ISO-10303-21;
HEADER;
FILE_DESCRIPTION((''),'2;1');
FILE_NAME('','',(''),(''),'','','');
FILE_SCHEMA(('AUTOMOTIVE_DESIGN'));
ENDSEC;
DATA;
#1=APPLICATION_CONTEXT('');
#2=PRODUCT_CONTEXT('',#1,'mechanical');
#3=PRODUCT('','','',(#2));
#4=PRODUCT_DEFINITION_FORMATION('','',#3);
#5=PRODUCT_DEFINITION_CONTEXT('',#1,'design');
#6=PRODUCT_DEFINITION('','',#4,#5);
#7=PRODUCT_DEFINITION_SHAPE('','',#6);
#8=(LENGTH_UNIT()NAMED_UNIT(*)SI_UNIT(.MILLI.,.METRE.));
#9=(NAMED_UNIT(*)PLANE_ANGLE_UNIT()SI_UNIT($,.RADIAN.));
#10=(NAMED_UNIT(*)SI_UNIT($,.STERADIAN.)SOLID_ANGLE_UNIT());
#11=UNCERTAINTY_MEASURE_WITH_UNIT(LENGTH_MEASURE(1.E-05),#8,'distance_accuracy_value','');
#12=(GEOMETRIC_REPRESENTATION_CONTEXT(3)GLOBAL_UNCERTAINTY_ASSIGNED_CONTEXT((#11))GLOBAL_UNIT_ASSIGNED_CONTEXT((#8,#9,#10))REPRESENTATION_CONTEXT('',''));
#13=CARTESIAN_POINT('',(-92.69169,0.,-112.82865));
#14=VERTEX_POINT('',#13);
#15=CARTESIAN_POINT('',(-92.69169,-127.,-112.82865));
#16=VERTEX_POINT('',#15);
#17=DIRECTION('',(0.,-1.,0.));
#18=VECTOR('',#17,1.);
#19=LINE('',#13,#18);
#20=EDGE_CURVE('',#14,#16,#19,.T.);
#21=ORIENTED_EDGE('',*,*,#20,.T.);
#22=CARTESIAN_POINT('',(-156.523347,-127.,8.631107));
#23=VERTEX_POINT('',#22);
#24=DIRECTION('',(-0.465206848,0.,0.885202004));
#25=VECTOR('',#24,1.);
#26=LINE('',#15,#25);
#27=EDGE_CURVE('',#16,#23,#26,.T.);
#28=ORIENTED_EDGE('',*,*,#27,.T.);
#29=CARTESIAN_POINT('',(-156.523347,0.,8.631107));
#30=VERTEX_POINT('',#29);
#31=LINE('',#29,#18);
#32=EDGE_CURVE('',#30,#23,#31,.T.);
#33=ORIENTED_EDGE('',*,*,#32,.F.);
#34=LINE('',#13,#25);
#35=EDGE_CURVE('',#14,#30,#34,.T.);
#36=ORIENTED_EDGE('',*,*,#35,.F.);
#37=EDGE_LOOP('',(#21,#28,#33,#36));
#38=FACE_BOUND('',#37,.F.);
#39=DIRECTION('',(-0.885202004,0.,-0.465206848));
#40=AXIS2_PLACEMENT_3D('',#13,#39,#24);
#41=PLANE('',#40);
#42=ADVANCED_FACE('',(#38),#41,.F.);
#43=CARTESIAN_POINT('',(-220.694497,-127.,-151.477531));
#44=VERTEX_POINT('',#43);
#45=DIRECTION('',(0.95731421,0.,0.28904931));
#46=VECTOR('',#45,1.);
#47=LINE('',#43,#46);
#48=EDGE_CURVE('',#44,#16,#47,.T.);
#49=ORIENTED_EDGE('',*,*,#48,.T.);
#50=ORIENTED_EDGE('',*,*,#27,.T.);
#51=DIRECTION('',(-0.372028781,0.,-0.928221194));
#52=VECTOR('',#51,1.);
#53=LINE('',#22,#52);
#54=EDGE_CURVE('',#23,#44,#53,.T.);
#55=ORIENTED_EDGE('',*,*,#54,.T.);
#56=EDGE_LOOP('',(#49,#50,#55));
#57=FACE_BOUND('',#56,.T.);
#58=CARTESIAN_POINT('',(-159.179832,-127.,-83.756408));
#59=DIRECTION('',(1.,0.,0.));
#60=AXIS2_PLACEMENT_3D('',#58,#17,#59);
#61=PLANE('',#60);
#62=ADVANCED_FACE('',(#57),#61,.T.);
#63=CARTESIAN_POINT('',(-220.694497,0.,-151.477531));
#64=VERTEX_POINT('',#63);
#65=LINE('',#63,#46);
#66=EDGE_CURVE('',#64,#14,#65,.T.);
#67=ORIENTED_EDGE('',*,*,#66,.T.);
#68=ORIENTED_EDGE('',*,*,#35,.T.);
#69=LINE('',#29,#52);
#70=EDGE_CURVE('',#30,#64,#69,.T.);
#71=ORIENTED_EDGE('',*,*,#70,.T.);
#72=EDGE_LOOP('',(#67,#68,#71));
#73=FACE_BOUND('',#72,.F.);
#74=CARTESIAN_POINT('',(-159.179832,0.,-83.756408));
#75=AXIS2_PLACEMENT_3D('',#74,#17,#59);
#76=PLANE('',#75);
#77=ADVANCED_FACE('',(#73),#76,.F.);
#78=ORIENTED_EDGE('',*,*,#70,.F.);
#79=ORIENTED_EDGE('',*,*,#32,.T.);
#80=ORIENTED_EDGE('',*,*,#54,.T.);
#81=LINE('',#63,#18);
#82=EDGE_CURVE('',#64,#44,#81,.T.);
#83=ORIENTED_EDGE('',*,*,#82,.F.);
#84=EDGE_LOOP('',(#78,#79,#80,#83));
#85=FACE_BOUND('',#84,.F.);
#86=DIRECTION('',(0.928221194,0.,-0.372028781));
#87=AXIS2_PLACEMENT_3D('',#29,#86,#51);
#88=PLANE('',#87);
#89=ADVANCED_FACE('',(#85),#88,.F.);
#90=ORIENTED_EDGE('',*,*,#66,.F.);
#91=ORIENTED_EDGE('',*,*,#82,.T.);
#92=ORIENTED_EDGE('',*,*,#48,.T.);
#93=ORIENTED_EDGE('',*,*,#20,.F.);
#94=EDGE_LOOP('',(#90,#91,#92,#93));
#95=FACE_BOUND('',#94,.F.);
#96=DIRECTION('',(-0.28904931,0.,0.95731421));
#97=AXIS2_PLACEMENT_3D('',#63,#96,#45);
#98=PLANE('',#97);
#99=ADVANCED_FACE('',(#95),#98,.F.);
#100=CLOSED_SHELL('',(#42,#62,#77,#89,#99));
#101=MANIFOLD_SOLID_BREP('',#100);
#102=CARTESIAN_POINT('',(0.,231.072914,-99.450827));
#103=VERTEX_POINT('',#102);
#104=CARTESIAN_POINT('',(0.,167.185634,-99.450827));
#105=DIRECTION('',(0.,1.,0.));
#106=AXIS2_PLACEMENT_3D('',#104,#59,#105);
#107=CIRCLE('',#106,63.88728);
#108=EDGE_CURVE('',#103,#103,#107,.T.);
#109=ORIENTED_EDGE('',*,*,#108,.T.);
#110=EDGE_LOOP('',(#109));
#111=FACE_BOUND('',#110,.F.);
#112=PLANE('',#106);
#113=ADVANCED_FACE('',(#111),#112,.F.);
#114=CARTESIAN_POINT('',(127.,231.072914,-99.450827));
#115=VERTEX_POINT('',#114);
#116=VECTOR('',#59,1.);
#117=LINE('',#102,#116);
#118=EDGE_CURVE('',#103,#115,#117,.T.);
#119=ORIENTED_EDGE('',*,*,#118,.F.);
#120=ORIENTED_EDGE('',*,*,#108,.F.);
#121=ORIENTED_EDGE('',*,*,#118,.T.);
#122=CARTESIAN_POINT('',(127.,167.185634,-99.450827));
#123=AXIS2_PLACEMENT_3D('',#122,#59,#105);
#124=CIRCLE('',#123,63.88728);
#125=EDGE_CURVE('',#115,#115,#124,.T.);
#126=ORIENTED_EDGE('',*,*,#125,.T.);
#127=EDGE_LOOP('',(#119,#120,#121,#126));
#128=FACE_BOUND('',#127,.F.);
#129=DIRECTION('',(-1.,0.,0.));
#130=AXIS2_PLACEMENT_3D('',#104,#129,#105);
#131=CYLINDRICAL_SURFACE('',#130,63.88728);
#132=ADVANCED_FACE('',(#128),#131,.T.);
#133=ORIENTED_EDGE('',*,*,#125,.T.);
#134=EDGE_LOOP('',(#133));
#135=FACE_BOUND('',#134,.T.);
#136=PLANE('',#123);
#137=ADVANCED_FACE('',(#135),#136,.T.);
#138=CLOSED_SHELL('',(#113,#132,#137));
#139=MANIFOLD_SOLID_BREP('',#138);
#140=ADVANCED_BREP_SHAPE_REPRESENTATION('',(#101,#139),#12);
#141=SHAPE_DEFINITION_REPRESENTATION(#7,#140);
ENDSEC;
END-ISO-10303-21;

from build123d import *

# Parameters (mm, degrees)
F1_DEPTH = 127
F2_R     = 63.88728
F3_DEPTH = 127


with BuildPart() as f1:
    # F0 (on Front) → F1 (new body)
    with BuildSketch(Plane.XZ):
        Polygon((-156.523347, 8.631107), (-220.694497, -151.477531), (-92.69169, -112.82865), align=None)
    extrude(amount=F1_DEPTH)


with BuildPart() as f3:
    # F2 (on Right) → F3 (new body)
    with BuildSketch(Plane.YZ):
        with Locations((167.185634, -99.450827)):
            Circle(F2_R)
    extrude(amount=F3_DEPTH)


solid = Compound([f1.part, f3.part])
